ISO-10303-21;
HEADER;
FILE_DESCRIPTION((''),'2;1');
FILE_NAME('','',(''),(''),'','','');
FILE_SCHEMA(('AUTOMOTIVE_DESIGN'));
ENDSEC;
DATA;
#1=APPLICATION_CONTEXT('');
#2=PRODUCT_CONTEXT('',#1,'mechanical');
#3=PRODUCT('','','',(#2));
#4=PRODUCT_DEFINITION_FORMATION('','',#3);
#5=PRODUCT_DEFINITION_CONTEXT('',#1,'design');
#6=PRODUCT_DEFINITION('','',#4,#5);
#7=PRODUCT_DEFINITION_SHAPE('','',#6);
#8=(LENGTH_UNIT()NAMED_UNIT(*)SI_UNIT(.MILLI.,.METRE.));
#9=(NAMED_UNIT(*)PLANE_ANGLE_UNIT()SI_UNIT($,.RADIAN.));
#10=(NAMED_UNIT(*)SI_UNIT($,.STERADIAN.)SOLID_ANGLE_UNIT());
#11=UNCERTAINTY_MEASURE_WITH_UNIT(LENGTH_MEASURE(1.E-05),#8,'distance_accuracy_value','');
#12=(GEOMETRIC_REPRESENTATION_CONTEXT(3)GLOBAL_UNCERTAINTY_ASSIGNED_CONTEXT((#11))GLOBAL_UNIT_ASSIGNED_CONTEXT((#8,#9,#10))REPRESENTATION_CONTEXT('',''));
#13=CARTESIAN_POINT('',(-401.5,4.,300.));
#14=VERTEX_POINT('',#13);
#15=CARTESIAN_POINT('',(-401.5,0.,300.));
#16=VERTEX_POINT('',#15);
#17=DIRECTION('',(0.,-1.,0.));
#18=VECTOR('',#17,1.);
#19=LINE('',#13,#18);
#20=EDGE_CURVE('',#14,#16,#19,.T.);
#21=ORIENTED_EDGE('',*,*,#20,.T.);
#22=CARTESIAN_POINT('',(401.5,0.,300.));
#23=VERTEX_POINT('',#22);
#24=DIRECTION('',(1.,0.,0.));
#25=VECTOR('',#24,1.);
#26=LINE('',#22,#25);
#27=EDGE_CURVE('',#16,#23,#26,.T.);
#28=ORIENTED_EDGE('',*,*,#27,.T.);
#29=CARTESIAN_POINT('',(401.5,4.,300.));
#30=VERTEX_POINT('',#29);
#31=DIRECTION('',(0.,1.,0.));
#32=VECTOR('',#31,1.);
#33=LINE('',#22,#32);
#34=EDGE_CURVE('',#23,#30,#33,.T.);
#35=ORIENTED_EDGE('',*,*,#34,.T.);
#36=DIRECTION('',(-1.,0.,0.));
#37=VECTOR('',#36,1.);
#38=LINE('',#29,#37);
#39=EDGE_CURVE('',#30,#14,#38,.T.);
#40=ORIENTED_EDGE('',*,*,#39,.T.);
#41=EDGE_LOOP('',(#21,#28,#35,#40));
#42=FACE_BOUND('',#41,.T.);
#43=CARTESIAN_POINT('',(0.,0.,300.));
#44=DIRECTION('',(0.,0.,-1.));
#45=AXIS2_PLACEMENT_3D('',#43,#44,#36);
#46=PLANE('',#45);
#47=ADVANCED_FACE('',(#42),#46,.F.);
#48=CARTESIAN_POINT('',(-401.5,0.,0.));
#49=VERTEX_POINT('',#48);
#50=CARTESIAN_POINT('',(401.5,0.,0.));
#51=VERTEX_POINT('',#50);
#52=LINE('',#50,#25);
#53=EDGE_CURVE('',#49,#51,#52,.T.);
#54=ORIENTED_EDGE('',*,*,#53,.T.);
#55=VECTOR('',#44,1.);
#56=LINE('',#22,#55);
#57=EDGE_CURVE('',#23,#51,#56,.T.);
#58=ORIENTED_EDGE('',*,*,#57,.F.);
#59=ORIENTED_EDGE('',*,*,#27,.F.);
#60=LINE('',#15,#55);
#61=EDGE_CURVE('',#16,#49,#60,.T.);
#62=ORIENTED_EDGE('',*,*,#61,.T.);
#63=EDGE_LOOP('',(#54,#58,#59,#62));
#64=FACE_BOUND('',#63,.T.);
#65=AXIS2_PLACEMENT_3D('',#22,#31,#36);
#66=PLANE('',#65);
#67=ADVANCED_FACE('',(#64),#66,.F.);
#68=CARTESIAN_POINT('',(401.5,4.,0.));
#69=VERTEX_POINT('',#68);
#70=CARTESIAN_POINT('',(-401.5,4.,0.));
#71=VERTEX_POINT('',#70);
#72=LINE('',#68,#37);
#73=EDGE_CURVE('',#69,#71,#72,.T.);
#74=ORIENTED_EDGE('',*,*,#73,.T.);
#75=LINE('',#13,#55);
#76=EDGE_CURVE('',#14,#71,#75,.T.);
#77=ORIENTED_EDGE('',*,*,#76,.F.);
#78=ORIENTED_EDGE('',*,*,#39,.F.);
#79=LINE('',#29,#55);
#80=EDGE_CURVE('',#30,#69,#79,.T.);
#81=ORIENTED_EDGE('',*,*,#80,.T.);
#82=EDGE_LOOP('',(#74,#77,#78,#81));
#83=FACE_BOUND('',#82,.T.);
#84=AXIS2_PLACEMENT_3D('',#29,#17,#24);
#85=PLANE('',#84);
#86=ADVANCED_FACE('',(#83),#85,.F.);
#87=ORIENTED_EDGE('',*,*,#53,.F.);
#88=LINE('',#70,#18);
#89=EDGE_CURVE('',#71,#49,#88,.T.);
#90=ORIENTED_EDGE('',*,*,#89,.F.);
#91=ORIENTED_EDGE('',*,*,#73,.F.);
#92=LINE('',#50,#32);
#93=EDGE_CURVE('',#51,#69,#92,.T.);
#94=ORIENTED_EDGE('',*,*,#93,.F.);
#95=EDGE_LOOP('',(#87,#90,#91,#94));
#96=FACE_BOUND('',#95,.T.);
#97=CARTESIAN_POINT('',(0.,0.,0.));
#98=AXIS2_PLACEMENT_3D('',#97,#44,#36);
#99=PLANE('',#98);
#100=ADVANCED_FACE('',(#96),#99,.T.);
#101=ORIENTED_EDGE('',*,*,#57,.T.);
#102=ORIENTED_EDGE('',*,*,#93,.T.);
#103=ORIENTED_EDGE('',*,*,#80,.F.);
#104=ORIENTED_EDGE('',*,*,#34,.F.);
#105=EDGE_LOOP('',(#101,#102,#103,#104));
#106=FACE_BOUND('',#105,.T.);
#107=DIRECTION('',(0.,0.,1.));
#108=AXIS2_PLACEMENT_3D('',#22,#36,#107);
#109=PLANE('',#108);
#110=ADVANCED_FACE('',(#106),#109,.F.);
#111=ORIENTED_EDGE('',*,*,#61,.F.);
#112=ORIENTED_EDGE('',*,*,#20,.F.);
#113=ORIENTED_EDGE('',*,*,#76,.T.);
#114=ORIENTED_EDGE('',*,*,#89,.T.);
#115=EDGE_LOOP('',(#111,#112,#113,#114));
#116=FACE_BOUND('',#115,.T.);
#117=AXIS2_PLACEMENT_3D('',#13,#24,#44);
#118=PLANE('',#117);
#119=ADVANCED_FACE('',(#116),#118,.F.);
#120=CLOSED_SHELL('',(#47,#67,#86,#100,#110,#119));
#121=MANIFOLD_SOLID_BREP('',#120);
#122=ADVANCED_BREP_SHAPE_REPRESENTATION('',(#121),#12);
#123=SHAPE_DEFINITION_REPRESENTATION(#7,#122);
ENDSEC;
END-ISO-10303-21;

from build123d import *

# Parameters (mm, degrees)
SKIZZE1_W                       = 803
SKIZZE1_H                       = 4
AUFSATZ_LINEAR_AUSTRAGEN1_DEPTH = 300


with BuildPart() as part:
    # Skizze1 → Aufsatz-Linear austragen1 (new body)
    with BuildSketch(Plane.XY):
        with Locations((0, 2)):
            Rectangle(SKIZZE1_W, SKIZZE1_H)
    extrude(amount=AUFSATZ_LINEAR_AUSTRAGEN1_DEPTH)


solid = part.part
